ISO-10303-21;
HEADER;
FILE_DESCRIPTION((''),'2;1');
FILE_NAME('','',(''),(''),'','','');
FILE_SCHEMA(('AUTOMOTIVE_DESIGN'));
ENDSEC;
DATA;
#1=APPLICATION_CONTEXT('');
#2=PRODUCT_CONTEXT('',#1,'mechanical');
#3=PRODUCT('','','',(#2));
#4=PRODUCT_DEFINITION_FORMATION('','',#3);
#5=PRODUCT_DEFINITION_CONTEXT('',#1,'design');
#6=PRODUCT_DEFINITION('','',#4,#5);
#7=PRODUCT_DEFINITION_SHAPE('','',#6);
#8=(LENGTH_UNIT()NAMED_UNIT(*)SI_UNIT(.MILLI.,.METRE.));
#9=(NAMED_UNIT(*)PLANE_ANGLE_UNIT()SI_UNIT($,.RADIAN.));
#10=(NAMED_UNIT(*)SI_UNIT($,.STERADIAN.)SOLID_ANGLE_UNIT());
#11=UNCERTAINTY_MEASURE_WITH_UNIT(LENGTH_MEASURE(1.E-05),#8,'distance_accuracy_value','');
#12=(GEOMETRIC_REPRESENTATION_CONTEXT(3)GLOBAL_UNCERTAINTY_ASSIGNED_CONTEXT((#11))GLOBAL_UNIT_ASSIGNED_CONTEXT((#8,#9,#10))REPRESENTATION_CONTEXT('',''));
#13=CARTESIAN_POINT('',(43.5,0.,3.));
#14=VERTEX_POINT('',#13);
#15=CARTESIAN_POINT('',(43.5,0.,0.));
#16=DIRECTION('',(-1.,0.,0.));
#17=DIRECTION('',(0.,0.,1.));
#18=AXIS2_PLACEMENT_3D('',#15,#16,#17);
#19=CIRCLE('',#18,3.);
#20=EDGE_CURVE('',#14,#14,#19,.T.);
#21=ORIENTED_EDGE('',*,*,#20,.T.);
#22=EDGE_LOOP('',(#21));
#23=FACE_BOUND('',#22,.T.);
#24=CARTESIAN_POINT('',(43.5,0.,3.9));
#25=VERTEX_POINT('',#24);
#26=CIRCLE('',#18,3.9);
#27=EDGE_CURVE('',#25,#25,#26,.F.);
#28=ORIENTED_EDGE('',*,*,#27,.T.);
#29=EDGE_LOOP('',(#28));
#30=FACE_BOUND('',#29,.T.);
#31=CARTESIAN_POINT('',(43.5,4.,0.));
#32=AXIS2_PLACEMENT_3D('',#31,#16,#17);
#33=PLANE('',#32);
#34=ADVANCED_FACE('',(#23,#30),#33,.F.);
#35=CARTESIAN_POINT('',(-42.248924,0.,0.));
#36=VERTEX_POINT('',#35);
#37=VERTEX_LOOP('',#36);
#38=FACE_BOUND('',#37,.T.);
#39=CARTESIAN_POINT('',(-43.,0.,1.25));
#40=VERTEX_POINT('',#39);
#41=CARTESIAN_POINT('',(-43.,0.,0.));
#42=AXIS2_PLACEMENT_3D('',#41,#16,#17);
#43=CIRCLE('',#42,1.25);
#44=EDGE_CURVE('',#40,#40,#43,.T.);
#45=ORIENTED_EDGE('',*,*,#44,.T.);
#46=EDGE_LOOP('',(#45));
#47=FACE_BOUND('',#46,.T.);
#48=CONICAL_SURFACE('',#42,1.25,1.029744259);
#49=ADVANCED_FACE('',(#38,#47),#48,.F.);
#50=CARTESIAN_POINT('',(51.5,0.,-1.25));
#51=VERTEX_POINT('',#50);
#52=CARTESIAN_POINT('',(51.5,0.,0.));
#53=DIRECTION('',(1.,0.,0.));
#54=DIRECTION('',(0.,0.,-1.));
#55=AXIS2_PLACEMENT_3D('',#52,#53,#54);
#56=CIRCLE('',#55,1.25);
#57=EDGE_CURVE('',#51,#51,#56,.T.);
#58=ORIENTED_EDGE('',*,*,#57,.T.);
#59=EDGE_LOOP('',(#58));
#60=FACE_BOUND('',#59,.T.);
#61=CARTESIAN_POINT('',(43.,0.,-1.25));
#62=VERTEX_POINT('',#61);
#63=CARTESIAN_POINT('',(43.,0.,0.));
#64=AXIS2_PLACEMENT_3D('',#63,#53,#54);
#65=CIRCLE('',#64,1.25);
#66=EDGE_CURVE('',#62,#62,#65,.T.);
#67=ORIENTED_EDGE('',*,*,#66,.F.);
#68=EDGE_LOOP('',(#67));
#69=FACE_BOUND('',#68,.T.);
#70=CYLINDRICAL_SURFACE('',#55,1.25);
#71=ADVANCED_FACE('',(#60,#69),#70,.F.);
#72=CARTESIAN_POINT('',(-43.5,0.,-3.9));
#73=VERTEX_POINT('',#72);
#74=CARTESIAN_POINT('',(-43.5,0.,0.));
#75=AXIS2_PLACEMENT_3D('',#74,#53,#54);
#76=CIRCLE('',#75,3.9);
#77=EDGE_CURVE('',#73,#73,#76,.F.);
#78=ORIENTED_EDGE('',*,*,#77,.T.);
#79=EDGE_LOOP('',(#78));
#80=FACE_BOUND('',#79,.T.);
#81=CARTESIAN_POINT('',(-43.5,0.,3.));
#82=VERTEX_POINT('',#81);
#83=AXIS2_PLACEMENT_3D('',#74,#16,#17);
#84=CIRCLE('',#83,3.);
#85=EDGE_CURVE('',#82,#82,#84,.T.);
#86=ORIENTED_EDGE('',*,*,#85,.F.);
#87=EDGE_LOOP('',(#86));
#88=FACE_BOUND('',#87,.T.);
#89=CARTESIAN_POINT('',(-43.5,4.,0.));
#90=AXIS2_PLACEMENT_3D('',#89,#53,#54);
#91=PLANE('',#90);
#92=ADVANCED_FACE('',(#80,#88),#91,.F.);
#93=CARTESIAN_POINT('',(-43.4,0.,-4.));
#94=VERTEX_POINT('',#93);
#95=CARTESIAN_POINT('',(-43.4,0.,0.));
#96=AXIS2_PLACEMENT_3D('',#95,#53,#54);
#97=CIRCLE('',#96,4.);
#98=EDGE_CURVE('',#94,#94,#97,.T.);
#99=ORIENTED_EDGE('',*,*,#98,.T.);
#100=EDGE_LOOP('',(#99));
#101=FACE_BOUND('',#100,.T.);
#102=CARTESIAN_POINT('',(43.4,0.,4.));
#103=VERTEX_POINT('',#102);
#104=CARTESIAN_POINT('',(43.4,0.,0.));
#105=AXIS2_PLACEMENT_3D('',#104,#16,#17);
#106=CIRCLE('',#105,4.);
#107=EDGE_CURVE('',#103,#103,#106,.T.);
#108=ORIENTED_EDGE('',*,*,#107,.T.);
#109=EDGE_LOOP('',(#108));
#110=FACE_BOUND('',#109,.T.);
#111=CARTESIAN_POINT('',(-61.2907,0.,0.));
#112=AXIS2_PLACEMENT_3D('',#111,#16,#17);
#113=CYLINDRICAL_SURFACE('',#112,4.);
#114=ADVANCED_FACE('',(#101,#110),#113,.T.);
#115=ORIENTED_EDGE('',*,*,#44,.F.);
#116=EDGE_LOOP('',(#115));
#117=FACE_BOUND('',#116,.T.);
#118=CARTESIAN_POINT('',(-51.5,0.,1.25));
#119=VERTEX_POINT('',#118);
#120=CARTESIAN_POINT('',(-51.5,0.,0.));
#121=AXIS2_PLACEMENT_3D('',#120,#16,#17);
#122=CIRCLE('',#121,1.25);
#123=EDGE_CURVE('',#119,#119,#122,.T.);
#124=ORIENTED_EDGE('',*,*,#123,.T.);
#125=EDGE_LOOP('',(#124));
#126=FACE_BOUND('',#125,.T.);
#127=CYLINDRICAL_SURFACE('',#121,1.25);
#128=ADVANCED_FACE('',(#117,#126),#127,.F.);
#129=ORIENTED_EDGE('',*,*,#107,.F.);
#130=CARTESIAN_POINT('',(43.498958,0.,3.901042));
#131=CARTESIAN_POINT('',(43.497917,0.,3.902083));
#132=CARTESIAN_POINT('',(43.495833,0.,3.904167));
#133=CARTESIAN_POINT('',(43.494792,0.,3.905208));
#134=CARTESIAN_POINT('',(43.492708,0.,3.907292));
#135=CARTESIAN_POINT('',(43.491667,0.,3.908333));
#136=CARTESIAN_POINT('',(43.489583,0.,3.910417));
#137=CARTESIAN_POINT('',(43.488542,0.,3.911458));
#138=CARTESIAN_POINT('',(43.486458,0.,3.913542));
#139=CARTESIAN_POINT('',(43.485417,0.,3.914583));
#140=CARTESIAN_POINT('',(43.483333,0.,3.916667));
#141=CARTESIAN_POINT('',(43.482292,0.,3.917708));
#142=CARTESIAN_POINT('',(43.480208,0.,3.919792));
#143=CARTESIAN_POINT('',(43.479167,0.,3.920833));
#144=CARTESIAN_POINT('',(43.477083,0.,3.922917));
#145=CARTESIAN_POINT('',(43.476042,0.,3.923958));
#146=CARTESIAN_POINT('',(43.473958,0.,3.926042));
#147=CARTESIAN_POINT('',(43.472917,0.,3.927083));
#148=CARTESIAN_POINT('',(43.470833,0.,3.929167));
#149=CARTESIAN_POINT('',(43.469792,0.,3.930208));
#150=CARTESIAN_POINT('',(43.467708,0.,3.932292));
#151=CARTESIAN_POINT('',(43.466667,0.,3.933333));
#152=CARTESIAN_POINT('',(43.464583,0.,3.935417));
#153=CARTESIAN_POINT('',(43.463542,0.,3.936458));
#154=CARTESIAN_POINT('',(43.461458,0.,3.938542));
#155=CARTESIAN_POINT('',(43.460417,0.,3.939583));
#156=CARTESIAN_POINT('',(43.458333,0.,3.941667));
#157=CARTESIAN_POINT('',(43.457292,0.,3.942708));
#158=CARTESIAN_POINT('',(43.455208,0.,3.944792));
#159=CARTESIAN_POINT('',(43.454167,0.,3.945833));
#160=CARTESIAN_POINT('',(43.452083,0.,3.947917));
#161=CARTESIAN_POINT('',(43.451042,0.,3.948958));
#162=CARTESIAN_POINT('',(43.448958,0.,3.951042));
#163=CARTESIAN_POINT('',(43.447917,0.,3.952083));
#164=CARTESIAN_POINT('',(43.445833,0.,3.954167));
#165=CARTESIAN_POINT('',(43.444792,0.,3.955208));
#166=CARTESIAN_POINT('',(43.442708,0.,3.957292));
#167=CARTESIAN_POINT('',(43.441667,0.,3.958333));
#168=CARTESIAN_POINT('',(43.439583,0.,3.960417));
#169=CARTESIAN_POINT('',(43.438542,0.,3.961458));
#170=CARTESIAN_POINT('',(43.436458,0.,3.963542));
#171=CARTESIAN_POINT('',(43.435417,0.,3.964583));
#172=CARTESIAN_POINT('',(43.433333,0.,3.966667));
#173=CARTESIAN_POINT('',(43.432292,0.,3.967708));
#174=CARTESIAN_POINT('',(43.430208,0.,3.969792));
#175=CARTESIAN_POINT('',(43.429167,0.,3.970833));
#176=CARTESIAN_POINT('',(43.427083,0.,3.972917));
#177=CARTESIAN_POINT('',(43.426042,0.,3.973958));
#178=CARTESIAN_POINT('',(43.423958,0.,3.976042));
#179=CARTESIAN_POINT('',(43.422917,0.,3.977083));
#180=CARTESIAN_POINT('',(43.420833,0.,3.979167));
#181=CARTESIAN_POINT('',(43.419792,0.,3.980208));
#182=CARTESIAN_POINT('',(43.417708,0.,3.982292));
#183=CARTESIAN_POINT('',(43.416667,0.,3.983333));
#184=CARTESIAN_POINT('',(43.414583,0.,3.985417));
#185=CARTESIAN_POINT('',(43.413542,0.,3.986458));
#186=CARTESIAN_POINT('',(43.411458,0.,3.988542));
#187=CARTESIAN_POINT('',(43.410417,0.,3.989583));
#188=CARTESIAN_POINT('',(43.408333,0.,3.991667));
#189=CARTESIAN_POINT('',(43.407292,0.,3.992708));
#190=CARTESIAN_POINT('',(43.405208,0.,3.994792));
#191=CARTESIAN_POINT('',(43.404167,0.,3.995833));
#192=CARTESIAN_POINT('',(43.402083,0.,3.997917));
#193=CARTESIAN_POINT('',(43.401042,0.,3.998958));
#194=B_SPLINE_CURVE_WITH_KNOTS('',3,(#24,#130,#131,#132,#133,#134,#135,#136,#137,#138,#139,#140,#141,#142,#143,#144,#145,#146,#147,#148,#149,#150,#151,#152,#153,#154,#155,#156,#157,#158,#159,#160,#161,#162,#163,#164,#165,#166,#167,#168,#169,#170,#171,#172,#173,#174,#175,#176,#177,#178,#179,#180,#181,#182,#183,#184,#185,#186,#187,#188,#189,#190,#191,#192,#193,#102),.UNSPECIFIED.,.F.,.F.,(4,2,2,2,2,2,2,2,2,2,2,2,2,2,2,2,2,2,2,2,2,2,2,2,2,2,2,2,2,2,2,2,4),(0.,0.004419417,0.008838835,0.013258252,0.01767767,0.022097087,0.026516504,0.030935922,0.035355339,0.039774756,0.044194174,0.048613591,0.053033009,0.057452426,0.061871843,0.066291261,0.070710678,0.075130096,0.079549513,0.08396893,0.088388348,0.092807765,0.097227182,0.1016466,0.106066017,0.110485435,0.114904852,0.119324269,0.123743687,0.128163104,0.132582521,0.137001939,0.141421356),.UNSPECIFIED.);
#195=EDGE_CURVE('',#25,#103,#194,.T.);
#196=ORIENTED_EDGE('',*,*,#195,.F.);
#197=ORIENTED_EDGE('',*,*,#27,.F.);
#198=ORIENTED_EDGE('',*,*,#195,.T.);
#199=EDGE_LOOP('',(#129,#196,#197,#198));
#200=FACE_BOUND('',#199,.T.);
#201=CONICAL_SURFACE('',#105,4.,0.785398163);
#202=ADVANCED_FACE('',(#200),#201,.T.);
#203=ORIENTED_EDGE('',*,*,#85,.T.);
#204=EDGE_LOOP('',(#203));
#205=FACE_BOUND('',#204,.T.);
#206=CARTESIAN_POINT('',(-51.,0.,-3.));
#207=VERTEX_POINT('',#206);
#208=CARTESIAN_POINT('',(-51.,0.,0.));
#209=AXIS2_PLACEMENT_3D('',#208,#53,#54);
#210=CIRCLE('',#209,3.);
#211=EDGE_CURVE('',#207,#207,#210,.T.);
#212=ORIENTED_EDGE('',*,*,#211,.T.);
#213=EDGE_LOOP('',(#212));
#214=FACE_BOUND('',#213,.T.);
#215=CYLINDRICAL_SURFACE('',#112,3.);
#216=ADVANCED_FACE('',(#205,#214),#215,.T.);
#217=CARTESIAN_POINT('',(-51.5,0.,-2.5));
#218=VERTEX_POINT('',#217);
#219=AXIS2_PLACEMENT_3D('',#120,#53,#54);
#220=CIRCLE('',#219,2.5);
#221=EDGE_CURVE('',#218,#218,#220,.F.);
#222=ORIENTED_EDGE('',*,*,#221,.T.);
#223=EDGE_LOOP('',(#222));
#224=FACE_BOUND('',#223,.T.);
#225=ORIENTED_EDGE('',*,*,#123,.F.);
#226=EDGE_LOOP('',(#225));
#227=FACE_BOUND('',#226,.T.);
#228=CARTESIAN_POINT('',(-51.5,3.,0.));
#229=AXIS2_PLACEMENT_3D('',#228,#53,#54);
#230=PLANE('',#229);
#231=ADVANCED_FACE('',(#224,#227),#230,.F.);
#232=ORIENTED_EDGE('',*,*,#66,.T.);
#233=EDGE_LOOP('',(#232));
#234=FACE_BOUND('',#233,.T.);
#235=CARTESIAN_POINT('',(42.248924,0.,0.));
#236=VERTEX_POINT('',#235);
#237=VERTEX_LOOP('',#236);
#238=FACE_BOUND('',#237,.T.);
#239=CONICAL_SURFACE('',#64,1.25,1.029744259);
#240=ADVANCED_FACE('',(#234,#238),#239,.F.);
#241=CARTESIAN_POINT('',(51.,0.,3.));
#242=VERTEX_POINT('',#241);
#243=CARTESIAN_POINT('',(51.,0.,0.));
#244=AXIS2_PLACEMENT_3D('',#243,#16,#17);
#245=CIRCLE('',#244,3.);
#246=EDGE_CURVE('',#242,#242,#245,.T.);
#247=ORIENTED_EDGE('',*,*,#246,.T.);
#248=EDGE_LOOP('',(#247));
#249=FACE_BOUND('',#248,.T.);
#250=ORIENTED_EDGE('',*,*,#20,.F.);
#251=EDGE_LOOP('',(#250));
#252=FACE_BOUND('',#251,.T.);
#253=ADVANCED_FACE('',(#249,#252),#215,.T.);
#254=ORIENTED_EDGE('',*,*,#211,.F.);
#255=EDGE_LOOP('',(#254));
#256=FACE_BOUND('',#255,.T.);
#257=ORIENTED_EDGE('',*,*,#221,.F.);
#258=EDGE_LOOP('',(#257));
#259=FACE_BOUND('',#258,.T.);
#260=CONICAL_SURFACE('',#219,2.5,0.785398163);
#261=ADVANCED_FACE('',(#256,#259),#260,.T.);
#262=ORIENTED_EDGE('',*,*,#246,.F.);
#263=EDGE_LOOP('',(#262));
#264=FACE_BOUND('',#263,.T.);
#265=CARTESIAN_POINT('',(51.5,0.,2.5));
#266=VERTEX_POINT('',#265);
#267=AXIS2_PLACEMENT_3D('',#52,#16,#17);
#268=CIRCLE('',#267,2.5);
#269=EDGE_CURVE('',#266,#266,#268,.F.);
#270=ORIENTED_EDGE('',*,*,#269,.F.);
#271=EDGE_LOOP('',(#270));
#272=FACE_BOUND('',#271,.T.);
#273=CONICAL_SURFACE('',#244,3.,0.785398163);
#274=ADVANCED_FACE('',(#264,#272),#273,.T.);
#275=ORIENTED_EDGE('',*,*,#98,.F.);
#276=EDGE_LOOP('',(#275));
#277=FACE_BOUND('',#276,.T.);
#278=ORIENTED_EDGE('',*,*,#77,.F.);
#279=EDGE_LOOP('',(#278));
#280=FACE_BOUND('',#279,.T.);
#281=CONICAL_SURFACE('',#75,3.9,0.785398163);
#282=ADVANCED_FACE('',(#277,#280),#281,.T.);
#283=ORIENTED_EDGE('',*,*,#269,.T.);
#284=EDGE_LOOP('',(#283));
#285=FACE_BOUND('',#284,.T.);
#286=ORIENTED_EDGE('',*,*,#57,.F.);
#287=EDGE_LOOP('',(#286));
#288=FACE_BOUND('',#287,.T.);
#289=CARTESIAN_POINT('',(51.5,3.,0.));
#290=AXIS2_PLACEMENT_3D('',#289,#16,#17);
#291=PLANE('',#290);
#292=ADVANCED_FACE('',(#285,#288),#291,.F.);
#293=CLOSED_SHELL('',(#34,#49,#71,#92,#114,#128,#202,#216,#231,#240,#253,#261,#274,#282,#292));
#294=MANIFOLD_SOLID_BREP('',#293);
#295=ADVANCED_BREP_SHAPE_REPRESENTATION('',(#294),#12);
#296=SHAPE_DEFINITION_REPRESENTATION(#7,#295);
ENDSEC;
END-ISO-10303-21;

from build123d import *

# Parameters (mm, degrees)
CHAMFER_1_SIZE = 0.5
CHAMFER_2_SIZE = 0.1


with BuildPart() as part:
    # ｽｹｯﾁ1 → 回転1 (revolve)
    with BuildSketch(Plane.XY, mode=Mode.PRIVATE) as revolve_1_sk:
        Polygon((43.5, 4), (-43.5, 4), (-43.5, 3), (-51.5, 3), (-51.5, 0), (51.5, 0), (51.5, 3), (43.5, 3), align=None)
    revolve(revolve_1_sk.sketch.rotate(Axis((-61.290700214, 0, 0), (1, 0, 0)), 90), axis=Axis((-61.290700214, 0, 0), (1, 0, 0)))

    # 面取り1
    chamfer_1_edges = [part.edges().sort_by_distance(p)[0] for p in [
        (-51.5, 0, -3),
        (51.5, 0, -3),
    ]]
    chamfer(chamfer_1_edges, length=CHAMFER_1_SIZE)

    # 面取り2
    chamfer_2_edges = [part.edges().sort_by_distance(p)[0] for p in [
        (-43.5, 0, -4),
        (43.5, 0, -4),
    ]]
    chamfer(chamfer_2_edges, length=CHAMFER_2_SIZE)

    # ｽｹｯﾁ3 → M3 ねじ穴1 (revolve, cut)
    with BuildSketch(Plane(origin=(51.5, 0, 0), x_dir=(0, 0, -1), z_dir=(0, 1, 0))):
        Polygon((0, 0), (0, 9.251075774), (1.25, 8.5), (1.25, 0), align=None)
    hole_wizard_m3_1 = revolve(axis=Axis((57.85, 0, 0), (-1, 0, 0)), mode=Mode.SUBTRACT)

    # ﾐﾗｰ1: M3 ねじ穴1 across plane
    add(hole_wizard_m3_1.mirror(Plane(origin=(0, 0, 0), x_dir=(0, 0, 1), z_dir=(1, 0, 0))), mode=Mode.SUBTRACT)


solid = part.part
